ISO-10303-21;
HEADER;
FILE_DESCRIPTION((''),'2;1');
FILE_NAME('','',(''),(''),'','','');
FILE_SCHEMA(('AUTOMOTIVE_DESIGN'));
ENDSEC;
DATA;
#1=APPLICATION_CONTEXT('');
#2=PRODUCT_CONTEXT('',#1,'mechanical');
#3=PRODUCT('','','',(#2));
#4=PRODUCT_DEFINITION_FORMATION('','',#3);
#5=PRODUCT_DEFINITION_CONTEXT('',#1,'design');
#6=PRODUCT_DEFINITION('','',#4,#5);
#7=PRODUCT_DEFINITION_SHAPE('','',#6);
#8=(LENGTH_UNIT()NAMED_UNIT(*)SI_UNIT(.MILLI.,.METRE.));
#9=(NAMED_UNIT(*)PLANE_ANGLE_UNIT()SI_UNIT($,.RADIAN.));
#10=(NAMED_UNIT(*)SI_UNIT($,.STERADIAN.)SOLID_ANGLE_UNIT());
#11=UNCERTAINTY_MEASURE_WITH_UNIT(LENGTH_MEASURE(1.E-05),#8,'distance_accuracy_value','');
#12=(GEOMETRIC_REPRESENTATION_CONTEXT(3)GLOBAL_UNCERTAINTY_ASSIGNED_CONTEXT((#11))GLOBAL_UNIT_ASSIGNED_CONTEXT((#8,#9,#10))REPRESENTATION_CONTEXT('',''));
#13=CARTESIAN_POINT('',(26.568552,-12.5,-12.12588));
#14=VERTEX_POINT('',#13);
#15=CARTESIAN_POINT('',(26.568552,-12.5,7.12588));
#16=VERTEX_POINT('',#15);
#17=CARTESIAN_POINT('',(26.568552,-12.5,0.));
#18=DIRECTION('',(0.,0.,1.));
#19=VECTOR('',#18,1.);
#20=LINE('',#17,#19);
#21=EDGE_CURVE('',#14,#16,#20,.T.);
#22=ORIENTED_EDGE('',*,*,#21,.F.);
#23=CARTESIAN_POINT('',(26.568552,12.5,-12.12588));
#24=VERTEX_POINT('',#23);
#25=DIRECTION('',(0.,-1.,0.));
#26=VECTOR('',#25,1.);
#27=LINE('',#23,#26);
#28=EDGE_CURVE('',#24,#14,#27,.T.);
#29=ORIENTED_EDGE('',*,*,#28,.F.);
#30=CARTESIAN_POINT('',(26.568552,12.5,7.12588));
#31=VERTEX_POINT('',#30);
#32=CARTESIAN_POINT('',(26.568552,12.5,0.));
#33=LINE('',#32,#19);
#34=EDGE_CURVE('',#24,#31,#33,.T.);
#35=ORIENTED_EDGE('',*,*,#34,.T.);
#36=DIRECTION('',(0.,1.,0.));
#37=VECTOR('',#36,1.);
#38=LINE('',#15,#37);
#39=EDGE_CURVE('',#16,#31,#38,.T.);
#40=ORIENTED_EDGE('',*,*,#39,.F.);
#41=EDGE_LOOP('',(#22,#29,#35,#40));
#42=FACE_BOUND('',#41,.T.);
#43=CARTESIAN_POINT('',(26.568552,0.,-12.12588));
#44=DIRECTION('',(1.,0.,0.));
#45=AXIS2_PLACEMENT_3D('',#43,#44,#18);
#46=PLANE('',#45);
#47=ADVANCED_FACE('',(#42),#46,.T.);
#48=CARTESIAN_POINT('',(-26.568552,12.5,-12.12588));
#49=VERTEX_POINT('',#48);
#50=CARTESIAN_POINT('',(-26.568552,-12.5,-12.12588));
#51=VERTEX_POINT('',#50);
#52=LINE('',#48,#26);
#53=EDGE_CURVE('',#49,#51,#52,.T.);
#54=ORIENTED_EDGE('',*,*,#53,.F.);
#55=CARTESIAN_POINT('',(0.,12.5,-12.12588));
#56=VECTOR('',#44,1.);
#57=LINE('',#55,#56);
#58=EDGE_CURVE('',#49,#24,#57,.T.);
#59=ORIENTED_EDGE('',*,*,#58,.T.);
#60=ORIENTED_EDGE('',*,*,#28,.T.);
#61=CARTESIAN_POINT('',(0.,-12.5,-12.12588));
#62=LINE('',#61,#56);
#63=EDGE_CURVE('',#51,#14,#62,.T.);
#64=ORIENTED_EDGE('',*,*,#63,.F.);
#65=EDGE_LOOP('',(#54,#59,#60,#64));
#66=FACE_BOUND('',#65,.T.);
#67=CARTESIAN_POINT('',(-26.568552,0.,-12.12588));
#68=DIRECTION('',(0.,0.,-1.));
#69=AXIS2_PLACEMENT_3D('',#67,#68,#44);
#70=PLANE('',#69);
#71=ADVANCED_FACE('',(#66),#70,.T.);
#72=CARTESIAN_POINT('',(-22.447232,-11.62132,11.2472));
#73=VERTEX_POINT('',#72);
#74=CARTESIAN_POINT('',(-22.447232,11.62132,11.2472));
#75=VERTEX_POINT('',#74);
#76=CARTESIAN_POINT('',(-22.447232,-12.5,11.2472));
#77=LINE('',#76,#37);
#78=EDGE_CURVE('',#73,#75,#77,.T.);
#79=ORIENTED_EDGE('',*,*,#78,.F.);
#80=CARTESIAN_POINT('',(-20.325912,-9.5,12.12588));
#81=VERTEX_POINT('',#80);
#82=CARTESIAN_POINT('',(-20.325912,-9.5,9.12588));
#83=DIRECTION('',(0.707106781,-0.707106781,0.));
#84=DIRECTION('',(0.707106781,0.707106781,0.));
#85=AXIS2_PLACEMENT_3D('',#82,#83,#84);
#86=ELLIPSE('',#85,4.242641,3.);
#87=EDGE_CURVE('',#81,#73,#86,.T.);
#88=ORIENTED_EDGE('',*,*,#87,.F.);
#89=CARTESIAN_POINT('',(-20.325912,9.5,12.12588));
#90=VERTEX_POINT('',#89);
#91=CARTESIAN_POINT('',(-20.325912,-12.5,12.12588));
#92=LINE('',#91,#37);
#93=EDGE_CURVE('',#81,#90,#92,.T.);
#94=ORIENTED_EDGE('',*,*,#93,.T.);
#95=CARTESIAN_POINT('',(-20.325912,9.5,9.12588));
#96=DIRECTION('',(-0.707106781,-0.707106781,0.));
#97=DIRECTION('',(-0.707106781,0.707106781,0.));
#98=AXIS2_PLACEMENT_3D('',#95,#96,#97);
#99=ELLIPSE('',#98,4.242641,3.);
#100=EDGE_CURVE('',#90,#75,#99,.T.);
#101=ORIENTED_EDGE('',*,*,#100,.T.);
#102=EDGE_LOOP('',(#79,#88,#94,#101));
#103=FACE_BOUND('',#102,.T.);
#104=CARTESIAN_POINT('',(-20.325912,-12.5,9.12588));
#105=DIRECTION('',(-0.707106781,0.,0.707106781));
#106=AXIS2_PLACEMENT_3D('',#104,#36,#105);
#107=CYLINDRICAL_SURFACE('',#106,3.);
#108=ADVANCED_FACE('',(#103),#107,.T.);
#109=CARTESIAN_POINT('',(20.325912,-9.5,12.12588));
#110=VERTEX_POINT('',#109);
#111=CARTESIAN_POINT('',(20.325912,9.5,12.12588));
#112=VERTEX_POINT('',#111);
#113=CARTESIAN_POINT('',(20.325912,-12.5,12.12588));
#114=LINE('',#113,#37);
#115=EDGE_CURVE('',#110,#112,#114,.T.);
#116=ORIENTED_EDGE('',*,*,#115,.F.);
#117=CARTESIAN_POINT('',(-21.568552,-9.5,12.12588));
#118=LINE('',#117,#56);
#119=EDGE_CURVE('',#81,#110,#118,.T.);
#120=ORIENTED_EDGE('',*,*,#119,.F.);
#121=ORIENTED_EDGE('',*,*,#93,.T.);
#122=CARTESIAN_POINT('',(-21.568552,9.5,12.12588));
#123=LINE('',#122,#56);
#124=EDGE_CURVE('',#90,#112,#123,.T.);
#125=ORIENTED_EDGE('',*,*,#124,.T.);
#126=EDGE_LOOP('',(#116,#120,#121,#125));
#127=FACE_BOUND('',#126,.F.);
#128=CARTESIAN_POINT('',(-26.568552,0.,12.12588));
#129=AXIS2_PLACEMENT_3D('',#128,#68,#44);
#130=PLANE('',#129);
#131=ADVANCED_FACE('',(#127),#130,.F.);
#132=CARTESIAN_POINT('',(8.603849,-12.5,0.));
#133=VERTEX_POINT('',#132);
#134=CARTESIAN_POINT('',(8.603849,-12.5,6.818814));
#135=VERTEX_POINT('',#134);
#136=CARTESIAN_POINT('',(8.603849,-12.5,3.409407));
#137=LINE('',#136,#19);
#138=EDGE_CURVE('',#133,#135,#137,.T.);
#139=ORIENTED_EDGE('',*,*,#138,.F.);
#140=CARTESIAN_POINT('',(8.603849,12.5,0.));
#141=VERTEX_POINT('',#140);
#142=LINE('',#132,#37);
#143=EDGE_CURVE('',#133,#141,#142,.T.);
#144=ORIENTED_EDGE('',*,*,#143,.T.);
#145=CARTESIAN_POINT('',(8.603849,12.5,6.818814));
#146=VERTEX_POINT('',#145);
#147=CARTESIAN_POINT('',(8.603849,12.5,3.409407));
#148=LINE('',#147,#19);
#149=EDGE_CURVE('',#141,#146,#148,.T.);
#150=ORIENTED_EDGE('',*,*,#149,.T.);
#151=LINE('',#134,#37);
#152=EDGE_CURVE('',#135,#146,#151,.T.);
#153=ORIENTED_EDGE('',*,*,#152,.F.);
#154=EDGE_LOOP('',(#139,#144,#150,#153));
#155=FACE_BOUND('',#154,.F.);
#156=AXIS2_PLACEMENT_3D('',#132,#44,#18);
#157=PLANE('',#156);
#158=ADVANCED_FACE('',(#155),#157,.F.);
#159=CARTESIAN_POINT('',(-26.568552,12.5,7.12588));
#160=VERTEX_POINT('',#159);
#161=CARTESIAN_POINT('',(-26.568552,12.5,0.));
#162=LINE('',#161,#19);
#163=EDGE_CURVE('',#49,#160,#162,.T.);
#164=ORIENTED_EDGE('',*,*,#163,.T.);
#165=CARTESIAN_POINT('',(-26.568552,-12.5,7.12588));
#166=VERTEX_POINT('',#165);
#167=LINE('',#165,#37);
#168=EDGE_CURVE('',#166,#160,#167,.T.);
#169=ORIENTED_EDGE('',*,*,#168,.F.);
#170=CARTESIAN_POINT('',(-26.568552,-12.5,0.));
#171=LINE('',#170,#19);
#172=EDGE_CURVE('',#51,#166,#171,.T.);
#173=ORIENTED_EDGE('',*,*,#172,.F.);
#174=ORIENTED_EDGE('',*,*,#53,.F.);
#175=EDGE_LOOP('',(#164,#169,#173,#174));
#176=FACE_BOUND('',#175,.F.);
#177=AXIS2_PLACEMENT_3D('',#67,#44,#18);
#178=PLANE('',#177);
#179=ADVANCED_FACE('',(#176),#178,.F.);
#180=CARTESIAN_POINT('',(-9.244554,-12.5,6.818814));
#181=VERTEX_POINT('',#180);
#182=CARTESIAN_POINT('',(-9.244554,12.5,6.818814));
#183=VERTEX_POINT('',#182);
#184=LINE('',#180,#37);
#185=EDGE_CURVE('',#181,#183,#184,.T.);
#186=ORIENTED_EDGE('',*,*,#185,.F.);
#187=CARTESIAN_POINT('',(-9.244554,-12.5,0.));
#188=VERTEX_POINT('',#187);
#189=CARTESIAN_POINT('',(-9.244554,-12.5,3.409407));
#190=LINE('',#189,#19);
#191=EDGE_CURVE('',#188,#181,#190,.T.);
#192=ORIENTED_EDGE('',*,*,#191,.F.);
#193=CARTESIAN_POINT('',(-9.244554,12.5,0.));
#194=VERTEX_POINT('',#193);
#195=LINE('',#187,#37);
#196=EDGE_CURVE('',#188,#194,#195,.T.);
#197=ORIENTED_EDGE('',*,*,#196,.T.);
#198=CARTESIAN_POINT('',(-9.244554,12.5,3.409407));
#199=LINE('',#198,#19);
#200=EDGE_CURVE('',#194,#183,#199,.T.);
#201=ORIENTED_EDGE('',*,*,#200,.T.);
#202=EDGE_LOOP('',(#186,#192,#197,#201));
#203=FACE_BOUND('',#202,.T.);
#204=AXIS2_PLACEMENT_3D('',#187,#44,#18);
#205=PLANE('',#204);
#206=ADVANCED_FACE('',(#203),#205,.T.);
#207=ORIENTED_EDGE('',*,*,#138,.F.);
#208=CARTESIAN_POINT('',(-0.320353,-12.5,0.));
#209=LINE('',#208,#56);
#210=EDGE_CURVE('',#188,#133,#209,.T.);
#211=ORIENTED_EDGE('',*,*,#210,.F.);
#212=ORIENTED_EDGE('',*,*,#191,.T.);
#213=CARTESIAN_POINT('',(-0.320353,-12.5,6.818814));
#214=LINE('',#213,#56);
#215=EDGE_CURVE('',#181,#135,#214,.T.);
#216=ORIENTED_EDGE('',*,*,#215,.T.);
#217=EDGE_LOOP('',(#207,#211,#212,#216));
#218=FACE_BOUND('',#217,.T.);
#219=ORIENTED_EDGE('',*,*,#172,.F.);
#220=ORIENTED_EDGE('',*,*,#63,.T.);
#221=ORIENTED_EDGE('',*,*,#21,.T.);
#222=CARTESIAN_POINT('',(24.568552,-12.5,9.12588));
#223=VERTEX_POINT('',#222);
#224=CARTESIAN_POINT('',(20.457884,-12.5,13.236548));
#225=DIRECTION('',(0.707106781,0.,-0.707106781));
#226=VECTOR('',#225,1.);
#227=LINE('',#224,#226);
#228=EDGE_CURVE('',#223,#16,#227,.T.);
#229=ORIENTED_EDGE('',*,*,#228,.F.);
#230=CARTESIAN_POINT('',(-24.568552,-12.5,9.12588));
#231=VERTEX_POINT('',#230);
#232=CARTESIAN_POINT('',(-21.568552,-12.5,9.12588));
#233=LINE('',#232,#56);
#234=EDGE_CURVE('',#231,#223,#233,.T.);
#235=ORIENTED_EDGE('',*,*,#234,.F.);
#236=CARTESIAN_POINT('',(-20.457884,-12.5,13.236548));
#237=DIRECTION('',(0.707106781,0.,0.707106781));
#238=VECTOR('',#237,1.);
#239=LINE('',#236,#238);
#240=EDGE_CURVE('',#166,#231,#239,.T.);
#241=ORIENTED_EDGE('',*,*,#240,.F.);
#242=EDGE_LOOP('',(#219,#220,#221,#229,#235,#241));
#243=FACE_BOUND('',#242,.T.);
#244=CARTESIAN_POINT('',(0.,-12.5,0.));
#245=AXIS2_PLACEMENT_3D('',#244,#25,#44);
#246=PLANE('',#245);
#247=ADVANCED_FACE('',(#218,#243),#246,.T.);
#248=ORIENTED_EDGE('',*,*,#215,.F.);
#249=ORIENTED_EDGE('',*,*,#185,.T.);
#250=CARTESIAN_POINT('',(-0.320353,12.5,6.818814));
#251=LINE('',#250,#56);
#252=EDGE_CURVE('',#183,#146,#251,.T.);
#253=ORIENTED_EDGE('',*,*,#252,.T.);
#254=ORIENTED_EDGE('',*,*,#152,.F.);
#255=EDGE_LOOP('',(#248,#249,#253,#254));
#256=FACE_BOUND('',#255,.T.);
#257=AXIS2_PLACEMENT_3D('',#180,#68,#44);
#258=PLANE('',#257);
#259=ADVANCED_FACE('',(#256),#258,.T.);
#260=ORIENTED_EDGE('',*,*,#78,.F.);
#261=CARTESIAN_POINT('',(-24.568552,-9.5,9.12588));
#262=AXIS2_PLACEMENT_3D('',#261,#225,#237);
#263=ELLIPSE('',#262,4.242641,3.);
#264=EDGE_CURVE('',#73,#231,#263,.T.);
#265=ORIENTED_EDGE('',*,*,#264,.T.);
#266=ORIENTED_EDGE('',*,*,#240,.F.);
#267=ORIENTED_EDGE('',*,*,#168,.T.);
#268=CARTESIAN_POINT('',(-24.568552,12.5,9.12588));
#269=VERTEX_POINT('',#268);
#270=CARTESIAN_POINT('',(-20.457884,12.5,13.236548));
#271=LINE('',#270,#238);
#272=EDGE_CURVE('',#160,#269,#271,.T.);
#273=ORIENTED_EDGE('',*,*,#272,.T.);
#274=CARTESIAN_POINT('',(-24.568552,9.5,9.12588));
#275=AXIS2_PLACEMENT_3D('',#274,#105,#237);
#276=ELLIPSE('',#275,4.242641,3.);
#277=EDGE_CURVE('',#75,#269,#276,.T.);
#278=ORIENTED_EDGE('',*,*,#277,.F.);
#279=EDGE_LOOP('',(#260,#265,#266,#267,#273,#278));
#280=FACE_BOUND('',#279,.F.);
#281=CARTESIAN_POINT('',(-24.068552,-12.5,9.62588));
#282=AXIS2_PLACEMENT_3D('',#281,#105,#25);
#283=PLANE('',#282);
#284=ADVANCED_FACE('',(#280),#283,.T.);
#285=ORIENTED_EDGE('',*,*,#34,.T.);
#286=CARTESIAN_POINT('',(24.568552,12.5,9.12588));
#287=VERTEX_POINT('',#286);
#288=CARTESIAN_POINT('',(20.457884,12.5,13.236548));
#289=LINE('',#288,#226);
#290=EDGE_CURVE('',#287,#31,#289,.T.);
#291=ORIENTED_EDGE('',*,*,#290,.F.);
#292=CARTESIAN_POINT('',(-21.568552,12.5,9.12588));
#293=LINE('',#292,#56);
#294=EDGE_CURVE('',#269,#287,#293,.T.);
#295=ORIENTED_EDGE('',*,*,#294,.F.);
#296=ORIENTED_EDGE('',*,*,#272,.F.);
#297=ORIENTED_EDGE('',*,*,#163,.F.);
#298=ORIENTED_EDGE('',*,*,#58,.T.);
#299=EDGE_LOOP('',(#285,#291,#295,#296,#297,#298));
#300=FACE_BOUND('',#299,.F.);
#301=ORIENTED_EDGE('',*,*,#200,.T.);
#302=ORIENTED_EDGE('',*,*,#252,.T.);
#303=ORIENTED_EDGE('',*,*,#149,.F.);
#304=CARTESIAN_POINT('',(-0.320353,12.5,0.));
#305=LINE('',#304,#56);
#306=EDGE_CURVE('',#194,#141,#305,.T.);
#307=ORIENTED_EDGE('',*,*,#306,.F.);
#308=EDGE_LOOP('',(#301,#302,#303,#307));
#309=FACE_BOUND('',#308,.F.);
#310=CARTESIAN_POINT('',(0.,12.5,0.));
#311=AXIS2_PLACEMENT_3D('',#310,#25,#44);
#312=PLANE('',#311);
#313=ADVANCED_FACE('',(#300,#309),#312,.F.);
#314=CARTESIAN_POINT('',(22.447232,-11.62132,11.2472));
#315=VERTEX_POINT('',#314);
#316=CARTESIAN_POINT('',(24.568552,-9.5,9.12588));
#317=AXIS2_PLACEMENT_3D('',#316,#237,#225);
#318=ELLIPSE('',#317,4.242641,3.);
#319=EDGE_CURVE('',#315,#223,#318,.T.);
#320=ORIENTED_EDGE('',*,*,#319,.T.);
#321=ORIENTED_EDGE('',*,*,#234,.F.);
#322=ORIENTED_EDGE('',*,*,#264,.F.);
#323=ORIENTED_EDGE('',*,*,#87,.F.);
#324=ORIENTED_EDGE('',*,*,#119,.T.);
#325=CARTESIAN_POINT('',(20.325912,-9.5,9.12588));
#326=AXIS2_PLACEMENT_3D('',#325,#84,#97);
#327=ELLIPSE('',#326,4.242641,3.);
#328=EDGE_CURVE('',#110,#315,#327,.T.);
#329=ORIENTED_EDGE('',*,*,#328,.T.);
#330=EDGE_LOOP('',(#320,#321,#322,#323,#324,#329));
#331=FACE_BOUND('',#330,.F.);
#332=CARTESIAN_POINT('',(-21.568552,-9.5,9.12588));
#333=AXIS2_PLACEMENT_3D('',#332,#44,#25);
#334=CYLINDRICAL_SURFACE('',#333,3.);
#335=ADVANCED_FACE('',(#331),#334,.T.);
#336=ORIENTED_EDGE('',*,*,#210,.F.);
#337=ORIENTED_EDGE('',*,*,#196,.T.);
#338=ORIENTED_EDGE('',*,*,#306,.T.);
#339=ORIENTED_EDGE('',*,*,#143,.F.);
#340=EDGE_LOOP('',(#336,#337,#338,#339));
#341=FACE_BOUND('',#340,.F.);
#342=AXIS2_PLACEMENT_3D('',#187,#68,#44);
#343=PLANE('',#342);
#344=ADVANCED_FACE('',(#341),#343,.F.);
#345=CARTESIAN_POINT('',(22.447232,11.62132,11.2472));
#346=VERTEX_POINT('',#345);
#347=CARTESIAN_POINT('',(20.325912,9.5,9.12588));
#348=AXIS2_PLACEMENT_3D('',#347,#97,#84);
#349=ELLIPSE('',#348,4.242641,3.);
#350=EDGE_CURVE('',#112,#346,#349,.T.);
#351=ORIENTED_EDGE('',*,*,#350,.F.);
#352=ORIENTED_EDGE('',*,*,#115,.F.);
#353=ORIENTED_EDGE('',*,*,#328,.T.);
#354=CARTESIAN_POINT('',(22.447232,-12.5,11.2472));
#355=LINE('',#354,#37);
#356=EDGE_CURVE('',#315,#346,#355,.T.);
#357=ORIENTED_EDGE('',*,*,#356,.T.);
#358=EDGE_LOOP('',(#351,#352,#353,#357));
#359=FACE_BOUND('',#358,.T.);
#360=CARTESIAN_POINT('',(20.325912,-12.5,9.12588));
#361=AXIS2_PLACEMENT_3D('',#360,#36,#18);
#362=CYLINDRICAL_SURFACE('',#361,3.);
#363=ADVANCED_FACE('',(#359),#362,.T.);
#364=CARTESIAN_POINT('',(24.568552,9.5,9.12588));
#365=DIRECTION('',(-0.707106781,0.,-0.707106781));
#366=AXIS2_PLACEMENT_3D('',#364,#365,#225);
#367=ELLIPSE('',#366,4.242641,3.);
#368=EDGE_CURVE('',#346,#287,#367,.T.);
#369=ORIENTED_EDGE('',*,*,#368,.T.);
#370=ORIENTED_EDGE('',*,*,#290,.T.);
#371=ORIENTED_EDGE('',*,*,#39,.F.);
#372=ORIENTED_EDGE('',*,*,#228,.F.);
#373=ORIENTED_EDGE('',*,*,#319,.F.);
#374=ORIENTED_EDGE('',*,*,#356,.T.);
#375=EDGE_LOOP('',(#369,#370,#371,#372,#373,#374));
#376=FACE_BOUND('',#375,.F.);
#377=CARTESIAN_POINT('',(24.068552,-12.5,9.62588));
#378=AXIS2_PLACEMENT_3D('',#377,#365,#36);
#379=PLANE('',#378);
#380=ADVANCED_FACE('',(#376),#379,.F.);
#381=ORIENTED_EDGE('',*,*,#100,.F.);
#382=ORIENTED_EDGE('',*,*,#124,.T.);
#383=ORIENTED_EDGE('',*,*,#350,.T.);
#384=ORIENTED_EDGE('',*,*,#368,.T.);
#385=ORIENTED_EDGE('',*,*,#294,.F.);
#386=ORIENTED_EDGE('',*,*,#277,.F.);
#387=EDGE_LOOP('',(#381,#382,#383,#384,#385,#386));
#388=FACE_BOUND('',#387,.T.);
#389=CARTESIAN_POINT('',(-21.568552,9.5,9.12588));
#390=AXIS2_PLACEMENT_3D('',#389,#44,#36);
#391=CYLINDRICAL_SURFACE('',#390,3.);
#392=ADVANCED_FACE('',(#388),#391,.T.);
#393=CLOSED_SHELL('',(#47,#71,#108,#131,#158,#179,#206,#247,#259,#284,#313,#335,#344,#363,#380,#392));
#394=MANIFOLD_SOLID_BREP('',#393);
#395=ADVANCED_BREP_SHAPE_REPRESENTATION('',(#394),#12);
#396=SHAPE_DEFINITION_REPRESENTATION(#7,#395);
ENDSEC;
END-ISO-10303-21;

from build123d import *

# Parameters (mm, degrees)
F0_W     = 53.1371047842
F0_H     = 24.2517590523
F1_DEPTH = 12.5
F2_W     = 17.8484022617
F2_H     = 6.8188142031
F3_DEPTH = 25
F4_SIZE  = 5
F5_R     = 3


with BuildPart() as f1:
    # F0 (on Front) → F1 (new body, symmetric)
    with BuildSketch(Plane.XZ):
        Rectangle(F0_W, F0_H)
    extrude(amount=F1_DEPTH, both=True)

    # F2 (on face) → F3 (cut)
    with BuildSketch(Plane.XZ.offset(12.5)):
        with Locations((-0.3203526139, 3.4094071016)):
            Rectangle(F2_W, F2_H)
    extrude(amount=-F3_DEPTH, mode=Mode.SUBTRACT)

    # F4
    f4_edges = [f1.edges().sort_by_distance(p)[0] for p in [
        (-26.568552, 0, 12.12588),
        (26.568552, 0, 12.12588),
    ]]
    chamfer(f4_edges, length=F4_SIZE)

    # F5
    f5_edges = [f1.edges().sort_by_distance(p)[0] for p in [
        (0, -12.5, 12.12588),
        (0, 12.5, 12.12588),
        (-21.568552, 0, 12.12588),
        (21.568552, 0, 12.12588),
    ]]
    fillet(f5_edges, radius=F5_R)


solid = f1.part
